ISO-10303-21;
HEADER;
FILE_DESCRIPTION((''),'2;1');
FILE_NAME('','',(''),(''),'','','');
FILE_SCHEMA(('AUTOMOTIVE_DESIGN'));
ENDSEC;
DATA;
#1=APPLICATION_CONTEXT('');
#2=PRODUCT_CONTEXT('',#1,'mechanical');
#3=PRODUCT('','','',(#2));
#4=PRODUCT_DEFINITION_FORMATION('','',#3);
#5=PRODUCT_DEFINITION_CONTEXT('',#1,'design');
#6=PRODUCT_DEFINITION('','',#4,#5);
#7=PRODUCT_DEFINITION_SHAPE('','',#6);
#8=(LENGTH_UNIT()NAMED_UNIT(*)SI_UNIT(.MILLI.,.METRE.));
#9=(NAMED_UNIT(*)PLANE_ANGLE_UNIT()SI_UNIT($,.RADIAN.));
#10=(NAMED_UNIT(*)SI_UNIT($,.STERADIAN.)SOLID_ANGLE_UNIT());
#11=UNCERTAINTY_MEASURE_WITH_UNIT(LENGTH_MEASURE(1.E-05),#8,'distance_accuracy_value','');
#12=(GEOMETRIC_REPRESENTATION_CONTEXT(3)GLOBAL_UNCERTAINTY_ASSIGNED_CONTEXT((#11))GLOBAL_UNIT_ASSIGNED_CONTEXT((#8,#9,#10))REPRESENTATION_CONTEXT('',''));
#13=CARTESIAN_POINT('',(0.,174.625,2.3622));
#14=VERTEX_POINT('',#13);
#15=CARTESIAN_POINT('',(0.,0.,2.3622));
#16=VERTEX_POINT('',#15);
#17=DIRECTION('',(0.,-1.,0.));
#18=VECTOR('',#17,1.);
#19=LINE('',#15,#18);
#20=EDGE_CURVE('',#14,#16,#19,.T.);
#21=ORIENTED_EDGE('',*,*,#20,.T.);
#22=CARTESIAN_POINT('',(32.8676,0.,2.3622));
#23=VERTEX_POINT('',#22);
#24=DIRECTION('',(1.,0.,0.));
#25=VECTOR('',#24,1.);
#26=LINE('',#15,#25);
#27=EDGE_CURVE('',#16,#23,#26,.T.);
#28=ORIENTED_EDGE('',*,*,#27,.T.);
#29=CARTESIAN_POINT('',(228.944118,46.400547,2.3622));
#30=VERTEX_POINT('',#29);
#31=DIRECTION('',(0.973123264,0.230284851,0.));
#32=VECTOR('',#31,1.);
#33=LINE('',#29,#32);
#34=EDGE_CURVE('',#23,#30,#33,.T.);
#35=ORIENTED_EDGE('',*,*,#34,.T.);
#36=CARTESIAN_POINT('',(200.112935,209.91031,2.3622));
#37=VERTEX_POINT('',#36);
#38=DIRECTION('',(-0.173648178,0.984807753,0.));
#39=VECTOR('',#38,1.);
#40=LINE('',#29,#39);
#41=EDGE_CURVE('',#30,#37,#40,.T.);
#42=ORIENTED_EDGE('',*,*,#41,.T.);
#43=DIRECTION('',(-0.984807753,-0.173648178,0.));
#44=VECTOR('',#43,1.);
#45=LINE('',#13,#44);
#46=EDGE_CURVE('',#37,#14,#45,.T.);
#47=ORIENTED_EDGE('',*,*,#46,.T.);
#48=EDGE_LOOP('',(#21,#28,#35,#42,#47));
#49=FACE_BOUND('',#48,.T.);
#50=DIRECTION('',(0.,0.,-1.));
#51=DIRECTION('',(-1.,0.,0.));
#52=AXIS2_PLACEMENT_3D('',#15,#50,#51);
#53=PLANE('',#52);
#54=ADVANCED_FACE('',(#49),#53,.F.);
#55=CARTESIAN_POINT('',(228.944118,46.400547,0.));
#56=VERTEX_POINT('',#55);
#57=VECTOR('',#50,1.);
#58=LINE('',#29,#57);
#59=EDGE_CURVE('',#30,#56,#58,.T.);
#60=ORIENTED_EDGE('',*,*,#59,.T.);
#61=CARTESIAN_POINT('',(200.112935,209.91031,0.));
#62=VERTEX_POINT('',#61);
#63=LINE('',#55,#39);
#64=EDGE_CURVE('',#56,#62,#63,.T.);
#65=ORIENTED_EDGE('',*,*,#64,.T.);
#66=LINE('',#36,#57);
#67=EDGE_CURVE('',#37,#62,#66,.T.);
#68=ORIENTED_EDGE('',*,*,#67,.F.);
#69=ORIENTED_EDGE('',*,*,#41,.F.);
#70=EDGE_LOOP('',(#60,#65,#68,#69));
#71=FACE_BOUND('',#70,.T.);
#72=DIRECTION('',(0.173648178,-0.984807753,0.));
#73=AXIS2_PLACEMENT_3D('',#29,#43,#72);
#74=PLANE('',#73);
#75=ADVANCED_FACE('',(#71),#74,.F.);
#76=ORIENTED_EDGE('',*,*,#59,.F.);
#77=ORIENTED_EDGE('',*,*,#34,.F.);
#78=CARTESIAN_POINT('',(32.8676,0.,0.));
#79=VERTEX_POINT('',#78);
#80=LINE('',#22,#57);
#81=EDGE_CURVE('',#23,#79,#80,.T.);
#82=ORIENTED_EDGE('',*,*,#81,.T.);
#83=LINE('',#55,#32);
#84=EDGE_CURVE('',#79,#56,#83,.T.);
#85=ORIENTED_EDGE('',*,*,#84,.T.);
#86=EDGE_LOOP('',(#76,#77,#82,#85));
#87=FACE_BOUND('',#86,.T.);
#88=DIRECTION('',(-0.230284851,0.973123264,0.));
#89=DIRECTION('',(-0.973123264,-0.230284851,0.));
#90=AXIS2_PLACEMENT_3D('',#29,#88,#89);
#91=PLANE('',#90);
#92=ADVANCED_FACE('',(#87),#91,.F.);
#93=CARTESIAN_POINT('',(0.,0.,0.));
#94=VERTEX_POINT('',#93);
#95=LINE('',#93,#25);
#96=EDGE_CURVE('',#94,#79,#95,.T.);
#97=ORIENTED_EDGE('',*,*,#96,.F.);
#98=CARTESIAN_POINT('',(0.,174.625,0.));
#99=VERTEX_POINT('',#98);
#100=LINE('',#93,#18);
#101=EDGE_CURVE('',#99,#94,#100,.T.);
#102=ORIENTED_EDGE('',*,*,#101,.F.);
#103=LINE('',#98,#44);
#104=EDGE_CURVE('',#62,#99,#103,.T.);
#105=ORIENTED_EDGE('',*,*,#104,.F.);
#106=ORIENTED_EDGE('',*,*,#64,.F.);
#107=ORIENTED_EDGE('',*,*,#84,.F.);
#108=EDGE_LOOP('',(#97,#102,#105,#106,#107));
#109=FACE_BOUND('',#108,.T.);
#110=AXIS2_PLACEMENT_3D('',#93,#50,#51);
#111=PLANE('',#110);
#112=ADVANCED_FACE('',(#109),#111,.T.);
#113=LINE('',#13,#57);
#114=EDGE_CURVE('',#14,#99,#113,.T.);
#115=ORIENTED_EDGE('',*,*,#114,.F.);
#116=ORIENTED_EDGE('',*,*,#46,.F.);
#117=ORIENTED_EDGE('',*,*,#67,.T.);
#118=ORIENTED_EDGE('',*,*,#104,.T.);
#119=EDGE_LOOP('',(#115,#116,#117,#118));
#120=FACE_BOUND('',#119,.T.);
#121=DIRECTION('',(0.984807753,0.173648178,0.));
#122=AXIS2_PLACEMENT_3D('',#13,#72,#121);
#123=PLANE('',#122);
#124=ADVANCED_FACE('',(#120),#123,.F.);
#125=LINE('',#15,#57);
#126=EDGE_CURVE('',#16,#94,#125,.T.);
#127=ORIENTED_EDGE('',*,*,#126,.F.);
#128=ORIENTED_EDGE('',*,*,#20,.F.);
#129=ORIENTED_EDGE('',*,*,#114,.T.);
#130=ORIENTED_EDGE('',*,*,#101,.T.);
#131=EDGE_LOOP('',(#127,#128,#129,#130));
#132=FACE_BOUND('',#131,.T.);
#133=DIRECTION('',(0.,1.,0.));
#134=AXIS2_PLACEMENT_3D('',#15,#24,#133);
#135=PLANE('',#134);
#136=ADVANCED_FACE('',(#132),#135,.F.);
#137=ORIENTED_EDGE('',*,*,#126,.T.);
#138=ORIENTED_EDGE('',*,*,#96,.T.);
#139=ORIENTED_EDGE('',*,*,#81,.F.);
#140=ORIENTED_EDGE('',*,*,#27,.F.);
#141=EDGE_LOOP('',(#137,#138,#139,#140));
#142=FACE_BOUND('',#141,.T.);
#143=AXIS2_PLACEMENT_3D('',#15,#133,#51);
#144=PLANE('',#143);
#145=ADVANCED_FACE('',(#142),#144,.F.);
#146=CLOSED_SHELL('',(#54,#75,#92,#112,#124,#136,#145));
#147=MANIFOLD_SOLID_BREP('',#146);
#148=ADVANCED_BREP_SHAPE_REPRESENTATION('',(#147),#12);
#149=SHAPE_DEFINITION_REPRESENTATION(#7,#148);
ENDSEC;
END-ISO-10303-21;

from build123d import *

# Parameters (mm, degrees)
BOSS_EXTRUDE1_DEPTH = 2.3622


with BuildPart() as part:
    # Sketch2 → Boss-Extrude1 (new body)
    with BuildSketch(Plane.XY):
        Polygon((228.94411819, 46.400546974), (32.8676, 0), (0, 0), (0, 174.625), (200.112935412, 209.910309702), align=None)
    extrude(amount=BOSS_EXTRUDE1_DEPTH)


solid = part.part
